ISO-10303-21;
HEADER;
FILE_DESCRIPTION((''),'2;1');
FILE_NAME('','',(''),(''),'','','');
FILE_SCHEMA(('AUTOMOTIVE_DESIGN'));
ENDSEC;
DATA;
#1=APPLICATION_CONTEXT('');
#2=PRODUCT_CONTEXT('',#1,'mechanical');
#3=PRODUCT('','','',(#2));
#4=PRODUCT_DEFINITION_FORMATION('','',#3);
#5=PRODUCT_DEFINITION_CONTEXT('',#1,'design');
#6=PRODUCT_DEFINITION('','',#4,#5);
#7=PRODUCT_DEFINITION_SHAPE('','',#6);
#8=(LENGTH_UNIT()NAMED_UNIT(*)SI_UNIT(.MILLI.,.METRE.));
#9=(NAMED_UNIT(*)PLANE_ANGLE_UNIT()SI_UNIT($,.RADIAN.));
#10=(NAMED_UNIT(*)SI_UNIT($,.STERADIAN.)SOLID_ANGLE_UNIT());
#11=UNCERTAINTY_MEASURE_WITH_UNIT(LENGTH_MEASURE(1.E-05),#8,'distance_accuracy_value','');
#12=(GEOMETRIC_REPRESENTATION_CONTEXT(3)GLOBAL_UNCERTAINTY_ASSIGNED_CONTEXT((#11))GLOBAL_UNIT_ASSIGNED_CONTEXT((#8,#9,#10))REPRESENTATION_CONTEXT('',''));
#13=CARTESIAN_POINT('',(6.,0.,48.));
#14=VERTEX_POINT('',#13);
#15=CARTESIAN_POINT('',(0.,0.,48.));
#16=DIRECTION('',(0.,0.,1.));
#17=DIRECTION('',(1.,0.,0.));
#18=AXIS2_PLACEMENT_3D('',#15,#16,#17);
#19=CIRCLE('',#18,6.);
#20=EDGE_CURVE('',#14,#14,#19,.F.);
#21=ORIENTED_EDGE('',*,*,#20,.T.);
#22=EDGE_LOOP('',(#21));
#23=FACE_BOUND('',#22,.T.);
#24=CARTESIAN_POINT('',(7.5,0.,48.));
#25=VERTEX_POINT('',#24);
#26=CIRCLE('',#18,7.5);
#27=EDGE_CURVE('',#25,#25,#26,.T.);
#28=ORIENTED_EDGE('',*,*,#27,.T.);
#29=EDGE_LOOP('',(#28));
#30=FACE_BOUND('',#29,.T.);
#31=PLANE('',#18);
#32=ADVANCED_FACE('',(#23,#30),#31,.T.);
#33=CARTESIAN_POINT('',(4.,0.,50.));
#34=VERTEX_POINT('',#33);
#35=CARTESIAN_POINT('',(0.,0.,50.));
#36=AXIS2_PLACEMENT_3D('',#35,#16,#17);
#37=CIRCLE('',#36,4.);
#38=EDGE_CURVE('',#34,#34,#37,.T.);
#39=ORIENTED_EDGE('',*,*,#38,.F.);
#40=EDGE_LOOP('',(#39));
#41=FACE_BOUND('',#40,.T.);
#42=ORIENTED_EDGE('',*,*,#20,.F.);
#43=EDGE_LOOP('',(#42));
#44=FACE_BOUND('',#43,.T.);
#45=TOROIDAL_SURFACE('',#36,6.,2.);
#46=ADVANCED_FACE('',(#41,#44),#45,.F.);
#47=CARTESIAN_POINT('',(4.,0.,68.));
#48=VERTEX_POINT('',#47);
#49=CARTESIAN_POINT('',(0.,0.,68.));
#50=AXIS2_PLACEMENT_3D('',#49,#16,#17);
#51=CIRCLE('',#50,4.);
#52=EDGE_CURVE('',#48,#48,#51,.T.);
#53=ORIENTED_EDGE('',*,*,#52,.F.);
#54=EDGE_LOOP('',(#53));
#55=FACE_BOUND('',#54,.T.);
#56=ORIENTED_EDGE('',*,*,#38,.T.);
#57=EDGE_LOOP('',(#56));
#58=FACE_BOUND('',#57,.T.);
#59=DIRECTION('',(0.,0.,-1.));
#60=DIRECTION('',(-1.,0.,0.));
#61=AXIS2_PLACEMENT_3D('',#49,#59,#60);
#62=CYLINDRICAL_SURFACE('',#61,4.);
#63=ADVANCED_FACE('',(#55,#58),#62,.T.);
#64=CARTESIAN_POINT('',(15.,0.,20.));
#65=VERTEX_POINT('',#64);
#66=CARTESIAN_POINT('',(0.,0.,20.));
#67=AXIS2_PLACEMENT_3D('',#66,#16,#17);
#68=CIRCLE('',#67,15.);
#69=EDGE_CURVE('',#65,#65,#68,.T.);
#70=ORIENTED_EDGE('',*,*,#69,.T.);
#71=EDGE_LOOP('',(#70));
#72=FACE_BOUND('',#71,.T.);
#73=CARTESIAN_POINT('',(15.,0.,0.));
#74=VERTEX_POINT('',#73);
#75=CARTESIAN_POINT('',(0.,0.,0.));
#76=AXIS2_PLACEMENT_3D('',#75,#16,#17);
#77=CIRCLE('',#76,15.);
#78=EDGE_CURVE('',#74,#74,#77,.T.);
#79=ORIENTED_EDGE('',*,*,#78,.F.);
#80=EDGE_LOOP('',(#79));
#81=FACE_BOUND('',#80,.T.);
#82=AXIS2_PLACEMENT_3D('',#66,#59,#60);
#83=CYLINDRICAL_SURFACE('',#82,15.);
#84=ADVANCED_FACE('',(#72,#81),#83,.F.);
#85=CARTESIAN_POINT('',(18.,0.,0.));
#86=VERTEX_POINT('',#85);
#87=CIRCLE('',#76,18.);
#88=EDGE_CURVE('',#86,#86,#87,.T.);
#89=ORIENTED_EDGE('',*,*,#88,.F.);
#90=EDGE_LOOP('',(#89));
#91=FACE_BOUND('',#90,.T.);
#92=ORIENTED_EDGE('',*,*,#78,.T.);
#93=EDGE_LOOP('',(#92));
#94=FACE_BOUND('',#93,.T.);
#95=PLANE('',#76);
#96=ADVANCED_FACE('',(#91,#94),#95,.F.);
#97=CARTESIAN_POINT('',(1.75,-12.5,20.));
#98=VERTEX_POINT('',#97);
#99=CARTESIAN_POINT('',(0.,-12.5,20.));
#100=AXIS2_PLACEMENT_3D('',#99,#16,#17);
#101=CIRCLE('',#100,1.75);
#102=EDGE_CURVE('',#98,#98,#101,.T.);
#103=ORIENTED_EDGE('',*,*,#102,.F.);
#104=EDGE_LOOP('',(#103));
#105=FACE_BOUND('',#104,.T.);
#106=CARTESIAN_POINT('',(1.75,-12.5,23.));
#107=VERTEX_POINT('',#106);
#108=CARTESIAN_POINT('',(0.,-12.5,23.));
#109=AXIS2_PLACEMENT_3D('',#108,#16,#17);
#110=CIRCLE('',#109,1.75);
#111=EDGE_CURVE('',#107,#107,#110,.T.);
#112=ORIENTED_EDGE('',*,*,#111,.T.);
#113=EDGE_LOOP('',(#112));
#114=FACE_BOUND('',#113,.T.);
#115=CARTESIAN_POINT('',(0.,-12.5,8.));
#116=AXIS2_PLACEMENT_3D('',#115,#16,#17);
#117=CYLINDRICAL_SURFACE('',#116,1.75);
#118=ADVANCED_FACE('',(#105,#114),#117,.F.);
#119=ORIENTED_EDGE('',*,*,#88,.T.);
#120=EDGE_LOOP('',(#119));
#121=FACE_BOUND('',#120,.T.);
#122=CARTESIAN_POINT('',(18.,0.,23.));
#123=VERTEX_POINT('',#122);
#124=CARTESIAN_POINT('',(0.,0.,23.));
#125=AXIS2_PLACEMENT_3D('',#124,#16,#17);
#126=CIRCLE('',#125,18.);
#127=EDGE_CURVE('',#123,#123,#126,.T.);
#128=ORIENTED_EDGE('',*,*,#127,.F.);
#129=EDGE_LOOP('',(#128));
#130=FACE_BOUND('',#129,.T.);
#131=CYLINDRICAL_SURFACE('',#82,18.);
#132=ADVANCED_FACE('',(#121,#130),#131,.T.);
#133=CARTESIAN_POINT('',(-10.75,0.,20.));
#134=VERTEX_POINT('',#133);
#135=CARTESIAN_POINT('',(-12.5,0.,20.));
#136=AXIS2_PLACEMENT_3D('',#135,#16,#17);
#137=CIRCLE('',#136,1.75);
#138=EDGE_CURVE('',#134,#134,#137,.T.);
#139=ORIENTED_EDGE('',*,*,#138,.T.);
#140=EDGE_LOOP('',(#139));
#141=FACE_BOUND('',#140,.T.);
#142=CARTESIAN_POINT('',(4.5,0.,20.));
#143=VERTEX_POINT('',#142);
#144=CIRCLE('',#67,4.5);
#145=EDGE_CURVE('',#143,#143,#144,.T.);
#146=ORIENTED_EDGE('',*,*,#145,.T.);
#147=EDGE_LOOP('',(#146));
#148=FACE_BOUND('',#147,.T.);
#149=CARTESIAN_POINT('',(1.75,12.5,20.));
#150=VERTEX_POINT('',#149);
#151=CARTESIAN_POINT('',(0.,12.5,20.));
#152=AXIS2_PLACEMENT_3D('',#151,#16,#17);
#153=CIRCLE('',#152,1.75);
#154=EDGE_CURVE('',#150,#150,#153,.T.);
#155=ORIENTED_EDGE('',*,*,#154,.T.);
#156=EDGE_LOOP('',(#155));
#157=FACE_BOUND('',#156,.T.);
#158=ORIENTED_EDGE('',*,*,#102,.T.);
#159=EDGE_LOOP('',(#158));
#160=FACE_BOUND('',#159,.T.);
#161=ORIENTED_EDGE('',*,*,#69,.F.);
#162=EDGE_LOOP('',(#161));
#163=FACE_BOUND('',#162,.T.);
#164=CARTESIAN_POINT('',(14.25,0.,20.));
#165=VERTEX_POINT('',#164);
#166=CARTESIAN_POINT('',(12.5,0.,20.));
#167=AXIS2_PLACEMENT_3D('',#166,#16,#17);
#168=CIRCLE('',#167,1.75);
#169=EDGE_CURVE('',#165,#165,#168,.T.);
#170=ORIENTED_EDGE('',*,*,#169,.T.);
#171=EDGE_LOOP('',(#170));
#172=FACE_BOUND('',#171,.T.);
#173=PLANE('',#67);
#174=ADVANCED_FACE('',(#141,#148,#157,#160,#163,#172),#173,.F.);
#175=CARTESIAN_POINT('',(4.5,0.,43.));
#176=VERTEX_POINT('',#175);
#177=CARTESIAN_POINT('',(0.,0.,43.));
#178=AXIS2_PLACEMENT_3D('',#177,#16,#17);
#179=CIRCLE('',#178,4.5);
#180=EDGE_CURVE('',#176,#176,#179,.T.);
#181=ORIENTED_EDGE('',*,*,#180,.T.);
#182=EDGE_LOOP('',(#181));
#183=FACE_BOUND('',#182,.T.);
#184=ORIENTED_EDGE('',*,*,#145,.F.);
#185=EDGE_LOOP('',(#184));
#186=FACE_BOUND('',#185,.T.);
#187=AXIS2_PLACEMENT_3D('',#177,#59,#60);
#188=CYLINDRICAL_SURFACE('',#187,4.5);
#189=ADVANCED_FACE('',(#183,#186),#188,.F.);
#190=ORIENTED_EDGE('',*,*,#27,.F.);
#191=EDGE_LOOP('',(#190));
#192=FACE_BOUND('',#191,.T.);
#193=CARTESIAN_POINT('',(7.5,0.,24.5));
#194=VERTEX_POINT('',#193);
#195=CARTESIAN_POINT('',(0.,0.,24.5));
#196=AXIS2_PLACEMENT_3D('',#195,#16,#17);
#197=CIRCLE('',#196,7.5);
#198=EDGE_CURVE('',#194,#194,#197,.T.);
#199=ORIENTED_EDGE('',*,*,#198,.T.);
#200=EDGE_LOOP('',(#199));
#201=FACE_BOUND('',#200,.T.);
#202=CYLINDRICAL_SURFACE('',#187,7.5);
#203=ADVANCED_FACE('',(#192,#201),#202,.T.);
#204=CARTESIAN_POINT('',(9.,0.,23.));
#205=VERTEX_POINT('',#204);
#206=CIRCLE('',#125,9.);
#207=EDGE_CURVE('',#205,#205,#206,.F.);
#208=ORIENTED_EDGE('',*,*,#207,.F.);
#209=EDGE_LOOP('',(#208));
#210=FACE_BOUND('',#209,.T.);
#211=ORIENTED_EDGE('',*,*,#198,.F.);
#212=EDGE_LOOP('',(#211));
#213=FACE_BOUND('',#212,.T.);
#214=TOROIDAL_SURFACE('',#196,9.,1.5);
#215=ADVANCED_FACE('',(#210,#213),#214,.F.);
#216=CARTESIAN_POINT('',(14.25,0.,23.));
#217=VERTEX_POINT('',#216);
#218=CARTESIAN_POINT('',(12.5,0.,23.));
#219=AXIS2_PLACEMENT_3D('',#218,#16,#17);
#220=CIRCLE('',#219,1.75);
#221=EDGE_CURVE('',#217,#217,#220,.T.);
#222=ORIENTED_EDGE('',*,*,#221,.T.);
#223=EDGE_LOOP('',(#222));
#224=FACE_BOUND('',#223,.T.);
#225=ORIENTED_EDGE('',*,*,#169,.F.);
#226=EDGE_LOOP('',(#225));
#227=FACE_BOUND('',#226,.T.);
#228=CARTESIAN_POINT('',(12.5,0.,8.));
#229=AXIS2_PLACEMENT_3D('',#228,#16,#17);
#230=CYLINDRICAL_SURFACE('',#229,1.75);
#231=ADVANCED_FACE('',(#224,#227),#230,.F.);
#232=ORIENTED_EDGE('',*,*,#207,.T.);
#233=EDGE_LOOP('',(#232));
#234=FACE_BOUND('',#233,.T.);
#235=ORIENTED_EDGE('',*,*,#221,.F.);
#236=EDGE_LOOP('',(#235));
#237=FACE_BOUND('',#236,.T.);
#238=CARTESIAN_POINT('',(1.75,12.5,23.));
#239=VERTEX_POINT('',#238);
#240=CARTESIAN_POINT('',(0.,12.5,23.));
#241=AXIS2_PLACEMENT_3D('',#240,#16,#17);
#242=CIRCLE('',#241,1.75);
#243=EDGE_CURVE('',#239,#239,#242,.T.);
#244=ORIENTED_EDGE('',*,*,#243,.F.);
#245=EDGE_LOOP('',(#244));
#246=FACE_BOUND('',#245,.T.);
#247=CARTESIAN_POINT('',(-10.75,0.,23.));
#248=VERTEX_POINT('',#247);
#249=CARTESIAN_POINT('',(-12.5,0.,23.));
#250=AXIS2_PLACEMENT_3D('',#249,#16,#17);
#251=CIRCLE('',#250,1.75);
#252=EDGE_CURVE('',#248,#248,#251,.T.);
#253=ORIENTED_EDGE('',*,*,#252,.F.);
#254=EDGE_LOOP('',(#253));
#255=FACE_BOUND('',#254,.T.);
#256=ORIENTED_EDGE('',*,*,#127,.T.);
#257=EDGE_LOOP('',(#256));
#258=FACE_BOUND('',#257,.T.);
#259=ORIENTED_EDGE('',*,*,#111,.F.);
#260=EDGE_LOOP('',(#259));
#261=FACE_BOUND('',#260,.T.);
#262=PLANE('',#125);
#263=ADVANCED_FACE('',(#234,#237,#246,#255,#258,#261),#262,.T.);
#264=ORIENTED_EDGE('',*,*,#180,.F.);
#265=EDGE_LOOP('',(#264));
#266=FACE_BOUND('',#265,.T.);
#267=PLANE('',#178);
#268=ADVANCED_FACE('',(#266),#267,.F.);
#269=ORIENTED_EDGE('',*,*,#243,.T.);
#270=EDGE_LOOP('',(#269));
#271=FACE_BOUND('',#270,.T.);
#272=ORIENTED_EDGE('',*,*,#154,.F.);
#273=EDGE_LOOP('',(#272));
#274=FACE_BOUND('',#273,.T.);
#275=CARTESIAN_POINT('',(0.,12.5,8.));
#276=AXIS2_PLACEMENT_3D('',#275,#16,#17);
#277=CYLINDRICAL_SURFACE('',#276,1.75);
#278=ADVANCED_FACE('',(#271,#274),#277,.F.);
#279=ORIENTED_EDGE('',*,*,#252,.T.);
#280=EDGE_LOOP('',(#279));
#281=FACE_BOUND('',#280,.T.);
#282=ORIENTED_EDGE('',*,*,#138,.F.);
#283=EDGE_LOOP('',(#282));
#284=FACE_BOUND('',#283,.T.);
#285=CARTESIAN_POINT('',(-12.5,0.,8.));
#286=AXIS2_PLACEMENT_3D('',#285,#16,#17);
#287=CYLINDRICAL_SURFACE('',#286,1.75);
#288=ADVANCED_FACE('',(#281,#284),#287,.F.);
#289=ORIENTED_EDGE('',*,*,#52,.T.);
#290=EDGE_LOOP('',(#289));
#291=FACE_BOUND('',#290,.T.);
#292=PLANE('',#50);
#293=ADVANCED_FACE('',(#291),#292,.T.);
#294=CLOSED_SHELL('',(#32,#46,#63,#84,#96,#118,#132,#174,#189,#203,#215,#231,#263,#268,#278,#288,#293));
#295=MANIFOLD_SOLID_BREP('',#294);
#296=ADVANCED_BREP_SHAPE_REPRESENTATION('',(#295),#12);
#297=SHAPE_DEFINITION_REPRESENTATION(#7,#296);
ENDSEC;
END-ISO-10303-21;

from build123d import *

# Parameters (mm, degrees)
SKETCH_1_R          = 18
SKETCH_1_R_2        = 15
EXTRUDE_1_DEPTH     = 20
SKETCH_2_R          = 18
EXTRUDE_2_DEPTH     = 3
SKETCH_3_R          = 7.5
SKETCH_3_R_2        = 4.5
EXTRUDE_3_DEPTH     = 20
CUT_EXTRUDE_START   = -20
SKETCH_4_R          = 4.5
CUT_EXTRUDE_1_DEPTH = 20
SKETCH_5_R          = 7.5
EXTRUDE_4_DEPTH     = 5
SKETCH_6_R          = 4
EXTRUDE_5_DEPTH     = 20
SKETCH_7_R          = 1.75
CUT_EXTRUDE_2_DEPTH = 15
FILLET_1_R          = 2
FILLET_2_R          = 1.5


with BuildPart() as part:
    # 草图1 → 凸台-拉伸1 (new body)
    with BuildSketch(Plane.XY):
        Circle(SKETCH_1_R)
        Circle(SKETCH_1_R_2, mode=Mode.SUBTRACT)
    extrude(amount=EXTRUDE_1_DEPTH)

    # 草图2 → 凸台-拉伸2 (add)
    with BuildSketch(Plane.XY.offset(20)):
        Circle(SKETCH_2_R)
    extrude(amount=EXTRUDE_2_DEPTH)

    # 草图3 → 凸台-拉伸3 (add)
    with BuildSketch(Plane.XY.offset(23)):
        Circle(SKETCH_3_R)
        Circle(SKETCH_3_R_2, mode=Mode.SUBTRACT)
    extrude(amount=EXTRUDE_3_DEPTH)

    # 草图4 → 切除-拉伸1 (cut)
    with BuildSketch(Plane.XY.offset(23).offset(CUT_EXTRUDE_START)):
        Circle(SKETCH_4_R)
    extrude(amount=CUT_EXTRUDE_1_DEPTH, mode=Mode.SUBTRACT)

    # 草图5 → 凸台-拉伸4 (add)
    with BuildSketch(Plane.XY.offset(43)):
        Circle(SKETCH_5_R)
    extrude(amount=EXTRUDE_4_DEPTH)

    # 草图6 → 凸台-拉伸5 (add)
    with BuildSketch(Plane.XY.offset(48)):
        Circle(SKETCH_6_R)
    extrude(amount=EXTRUDE_5_DEPTH)

    # 草图7 → 切除-拉伸2 (cut)
    with BuildSketch(Plane.XY.offset(23)):
        with Locations((0, 12.5)):
            Circle(SKETCH_7_R)
        with Locations((12.5, 0)):
            Circle(SKETCH_7_R)
        with Locations((0, -12.5)):
            Circle(SKETCH_7_R)
        with Locations((-12.5, 0)):
            Circle(SKETCH_7_R)
    extrude(amount=-CUT_EXTRUDE_2_DEPTH, mode=Mode.SUBTRACT)

    # 圆角1
    fillet_1_edges = [part.edges().sort_by_distance(p)[0] for p in [
        (-4, 0, 48),
    ]]
    fillet(fillet_1_edges, radius=FILLET_1_R)

    # 圆角2
    fillet_2_edges = [part.edges().sort_by_distance(p)[0] for p in [
        (-7.5, 0, 23),
    ]]
    fillet(fillet_2_edges, radius=FILLET_2_R)


solid = part.part
